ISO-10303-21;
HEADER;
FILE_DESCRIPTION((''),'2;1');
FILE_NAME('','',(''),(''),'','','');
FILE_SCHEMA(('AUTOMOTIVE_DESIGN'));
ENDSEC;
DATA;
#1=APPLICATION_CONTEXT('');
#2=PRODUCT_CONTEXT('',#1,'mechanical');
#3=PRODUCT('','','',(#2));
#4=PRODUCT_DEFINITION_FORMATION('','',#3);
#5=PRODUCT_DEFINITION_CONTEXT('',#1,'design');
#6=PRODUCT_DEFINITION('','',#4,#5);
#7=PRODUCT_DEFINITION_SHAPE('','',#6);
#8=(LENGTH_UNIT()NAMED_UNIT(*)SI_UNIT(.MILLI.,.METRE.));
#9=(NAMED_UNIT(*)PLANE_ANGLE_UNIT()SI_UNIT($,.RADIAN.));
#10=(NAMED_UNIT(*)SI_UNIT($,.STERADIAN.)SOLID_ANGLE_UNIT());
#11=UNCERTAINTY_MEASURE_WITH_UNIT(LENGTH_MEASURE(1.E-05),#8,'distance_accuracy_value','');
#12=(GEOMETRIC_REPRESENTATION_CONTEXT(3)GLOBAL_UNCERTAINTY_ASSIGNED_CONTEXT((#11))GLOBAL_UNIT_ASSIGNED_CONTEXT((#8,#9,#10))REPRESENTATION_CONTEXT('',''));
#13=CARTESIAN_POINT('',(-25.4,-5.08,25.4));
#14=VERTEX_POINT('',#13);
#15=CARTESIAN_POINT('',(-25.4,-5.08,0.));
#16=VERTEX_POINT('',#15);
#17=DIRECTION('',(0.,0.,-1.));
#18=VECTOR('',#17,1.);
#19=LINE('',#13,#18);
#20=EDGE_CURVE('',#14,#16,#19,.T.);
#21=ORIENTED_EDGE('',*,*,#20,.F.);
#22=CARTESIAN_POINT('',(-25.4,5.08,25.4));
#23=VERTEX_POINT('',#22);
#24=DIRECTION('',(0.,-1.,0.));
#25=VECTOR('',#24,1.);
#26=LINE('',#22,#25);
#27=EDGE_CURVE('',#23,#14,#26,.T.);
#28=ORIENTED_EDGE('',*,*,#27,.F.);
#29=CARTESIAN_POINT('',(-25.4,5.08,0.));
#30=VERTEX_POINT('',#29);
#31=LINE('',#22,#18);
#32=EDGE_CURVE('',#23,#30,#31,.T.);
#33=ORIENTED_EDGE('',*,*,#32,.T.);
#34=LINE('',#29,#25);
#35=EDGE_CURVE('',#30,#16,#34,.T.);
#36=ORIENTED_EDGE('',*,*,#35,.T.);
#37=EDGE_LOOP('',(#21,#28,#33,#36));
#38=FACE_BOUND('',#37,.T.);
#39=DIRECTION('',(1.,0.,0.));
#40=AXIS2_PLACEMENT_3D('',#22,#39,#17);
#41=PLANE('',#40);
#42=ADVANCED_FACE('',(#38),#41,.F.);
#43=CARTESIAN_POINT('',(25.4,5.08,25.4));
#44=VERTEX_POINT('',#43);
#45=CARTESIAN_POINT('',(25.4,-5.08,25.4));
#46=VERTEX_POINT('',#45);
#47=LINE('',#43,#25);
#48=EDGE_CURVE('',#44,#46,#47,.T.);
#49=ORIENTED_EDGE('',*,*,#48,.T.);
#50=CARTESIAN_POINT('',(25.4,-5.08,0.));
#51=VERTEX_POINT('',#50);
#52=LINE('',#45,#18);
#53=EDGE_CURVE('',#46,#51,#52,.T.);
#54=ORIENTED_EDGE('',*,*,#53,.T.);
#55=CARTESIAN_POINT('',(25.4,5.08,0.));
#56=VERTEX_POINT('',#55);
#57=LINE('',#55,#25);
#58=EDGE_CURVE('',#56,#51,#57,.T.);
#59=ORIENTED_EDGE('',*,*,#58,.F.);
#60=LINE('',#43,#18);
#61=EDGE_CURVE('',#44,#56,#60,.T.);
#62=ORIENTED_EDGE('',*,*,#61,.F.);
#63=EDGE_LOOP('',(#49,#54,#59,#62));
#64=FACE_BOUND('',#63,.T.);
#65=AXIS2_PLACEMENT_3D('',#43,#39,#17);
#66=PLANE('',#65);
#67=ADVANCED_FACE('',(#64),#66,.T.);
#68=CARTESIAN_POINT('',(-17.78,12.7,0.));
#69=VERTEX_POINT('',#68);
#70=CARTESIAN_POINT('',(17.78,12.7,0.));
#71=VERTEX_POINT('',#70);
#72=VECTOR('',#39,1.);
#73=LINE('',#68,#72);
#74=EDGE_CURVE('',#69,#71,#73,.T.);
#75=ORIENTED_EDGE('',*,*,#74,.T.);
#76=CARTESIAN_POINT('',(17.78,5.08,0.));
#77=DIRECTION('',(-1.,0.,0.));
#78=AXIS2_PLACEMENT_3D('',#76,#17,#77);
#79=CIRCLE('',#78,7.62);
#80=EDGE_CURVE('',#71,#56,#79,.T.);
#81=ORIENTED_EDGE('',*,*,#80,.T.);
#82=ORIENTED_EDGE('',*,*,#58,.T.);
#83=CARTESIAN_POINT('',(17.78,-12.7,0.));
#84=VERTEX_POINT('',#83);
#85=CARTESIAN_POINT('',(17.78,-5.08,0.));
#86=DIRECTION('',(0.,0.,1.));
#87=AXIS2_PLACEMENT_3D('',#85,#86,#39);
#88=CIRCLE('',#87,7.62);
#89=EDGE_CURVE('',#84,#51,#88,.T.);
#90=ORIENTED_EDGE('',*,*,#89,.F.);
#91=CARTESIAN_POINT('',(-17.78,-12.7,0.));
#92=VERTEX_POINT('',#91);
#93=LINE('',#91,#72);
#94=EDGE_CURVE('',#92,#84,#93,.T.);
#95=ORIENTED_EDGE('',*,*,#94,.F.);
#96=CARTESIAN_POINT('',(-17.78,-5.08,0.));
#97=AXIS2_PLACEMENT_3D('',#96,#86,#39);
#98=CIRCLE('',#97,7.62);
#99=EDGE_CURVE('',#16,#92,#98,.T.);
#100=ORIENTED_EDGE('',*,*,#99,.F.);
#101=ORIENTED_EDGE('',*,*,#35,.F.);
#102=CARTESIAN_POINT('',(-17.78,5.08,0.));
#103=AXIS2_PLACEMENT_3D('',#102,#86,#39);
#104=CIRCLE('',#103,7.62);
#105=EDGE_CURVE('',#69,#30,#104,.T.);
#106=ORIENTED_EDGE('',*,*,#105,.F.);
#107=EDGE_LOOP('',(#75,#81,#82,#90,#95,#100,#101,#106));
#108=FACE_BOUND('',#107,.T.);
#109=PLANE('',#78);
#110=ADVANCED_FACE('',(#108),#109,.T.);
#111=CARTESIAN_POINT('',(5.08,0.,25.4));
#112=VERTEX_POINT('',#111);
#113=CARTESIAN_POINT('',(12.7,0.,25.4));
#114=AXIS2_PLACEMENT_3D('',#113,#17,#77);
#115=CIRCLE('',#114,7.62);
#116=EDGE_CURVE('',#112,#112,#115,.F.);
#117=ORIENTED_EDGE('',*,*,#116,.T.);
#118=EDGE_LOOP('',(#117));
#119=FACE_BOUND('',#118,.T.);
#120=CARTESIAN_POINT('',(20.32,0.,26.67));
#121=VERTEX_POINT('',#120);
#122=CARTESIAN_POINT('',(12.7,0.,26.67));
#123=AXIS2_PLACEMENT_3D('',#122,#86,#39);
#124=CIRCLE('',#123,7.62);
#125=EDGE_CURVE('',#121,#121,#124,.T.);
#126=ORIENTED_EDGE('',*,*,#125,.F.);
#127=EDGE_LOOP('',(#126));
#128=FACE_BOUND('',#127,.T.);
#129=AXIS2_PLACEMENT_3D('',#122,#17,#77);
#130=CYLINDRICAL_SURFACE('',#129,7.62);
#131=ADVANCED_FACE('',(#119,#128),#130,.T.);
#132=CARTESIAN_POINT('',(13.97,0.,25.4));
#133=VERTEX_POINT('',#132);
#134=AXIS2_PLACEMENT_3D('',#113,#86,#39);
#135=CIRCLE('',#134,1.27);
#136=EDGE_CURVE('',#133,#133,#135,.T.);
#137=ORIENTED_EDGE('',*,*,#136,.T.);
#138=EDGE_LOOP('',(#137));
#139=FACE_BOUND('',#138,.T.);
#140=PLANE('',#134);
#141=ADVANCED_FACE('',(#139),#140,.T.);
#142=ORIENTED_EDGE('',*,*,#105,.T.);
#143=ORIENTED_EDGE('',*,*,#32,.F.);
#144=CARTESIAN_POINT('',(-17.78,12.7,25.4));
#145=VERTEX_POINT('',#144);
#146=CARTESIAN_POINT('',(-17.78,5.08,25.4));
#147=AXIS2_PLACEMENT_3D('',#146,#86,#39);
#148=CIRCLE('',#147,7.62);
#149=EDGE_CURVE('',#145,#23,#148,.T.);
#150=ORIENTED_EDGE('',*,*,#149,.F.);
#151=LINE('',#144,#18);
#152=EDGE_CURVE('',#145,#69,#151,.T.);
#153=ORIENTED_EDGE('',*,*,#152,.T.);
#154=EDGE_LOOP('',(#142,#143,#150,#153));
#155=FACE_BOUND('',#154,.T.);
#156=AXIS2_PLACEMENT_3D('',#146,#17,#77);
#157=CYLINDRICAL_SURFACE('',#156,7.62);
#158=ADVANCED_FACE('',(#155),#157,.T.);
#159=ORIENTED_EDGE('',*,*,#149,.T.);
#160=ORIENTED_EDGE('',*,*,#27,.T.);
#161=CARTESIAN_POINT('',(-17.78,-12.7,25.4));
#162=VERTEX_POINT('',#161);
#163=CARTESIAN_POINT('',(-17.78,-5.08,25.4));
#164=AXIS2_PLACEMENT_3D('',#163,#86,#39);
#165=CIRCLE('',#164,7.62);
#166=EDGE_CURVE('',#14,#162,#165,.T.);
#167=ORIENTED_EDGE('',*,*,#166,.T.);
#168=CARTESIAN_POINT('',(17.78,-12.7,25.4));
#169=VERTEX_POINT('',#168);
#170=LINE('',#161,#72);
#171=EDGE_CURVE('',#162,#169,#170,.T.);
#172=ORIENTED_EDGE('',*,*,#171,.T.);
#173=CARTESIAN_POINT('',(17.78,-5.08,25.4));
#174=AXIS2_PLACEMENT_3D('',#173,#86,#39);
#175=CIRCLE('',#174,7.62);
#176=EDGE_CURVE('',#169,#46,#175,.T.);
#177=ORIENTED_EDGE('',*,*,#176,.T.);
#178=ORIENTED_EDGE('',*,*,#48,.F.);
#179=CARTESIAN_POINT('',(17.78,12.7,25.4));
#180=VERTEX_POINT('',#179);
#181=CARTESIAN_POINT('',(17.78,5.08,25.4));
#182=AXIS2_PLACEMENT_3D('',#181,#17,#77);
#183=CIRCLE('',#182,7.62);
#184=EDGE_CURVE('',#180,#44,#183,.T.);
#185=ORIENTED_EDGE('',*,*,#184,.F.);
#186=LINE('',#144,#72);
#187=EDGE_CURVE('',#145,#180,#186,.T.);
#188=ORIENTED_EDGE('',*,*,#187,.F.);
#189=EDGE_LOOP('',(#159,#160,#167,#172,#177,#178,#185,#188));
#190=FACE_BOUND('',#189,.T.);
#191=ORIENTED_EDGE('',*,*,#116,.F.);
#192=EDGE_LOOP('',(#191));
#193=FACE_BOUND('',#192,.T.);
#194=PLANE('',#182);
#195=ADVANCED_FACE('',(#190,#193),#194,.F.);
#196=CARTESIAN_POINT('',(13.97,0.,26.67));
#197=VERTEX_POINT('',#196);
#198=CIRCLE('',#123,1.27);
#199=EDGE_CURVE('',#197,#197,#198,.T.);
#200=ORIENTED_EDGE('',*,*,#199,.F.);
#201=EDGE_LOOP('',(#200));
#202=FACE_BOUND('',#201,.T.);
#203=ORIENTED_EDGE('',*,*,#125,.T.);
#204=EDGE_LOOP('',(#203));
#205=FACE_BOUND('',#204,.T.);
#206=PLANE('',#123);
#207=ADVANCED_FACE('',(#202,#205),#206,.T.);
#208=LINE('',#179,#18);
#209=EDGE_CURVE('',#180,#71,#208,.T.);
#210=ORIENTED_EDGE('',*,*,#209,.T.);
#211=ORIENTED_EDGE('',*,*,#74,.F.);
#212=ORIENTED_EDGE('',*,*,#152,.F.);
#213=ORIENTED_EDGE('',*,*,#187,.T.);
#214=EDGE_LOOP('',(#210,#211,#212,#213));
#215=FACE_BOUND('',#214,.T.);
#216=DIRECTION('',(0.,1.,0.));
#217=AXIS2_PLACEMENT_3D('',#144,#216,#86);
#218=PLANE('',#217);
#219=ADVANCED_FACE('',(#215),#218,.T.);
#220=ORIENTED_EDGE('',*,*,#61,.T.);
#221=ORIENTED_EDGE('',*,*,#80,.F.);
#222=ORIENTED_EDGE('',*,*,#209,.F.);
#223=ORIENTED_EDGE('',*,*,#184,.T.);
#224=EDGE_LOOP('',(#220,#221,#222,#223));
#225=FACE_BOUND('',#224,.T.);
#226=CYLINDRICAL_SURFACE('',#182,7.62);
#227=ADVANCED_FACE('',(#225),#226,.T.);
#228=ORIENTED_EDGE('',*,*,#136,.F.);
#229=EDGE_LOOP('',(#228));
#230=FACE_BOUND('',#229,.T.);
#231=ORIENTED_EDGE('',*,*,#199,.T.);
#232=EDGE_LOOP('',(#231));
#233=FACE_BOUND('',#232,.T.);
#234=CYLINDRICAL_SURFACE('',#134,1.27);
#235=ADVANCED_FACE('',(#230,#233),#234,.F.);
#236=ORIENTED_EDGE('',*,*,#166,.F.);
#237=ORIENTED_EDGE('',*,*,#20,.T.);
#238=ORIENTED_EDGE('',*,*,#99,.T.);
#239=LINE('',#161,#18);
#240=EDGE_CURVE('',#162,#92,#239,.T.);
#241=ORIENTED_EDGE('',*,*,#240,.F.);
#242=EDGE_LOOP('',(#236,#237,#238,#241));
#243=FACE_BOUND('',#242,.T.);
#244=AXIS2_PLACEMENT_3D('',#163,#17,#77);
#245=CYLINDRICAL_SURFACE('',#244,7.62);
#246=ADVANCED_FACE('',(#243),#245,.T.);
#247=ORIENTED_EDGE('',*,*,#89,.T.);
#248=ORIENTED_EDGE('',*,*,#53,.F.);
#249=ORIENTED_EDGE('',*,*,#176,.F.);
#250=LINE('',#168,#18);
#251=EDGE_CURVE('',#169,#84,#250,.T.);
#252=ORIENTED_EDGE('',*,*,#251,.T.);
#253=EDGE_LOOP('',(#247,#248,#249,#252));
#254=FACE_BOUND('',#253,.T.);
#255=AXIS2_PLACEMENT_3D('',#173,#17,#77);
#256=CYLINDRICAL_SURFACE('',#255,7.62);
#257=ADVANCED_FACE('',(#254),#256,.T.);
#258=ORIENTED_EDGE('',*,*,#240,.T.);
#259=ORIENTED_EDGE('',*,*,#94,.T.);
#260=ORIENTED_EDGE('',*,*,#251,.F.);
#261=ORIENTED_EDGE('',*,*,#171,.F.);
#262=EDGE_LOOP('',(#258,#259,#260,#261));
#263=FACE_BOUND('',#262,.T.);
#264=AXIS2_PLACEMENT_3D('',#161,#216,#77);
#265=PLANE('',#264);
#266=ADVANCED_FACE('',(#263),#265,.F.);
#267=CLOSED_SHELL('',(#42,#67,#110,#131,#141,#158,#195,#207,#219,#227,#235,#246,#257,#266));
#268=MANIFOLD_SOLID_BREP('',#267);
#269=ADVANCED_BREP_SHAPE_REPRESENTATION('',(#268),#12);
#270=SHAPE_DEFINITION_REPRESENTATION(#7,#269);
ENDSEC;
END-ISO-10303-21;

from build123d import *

# Parameters (mm, degrees)
BOSS_EXTRUDE1_DEPTH = 25.4
SKETCH2_R           = 7.62
BOSS_EXTRUDE2_DEPTH = 1.27
SKETCH3_R           = 1.27
CUT_EXTRUDE1_DEPTH  = 1.27


with BuildPart() as part:
    # Sketch1 → Boss-Extrude1 (new body)
    with BuildSketch(Plane.XY):
        with BuildLine():
            Line((-17.78, 12.7), (17.78, 12.7))
            ThreePointArc((17.78, 12.7), (23.168153673, 10.468153673), (25.4, 5.08))
            Line((25.4, 5.08), (25.4, -5.08))
            ThreePointArc((25.4, -5.08), (23.168153673, -10.468153673), (17.78, -12.7))
            Line((17.78, -12.7), (-17.78, -12.7))
            ThreePointArc((-17.78, -12.7), (-23.168153673, -10.468153673), (-25.4, -5.08))
            Line((-25.4, -5.08), (-25.4, 5.08))
            ThreePointArc((-25.4, 5.08), (-23.168153673, 10.468153673), (-17.78, 12.7))
        make_face()
    extrude(amount=BOSS_EXTRUDE1_DEPTH)

    # Sketch2 → Boss-Extrude2 (add)
    with BuildSketch(Plane.XY.offset(25.4)):
        with Locations(Location((12.7, 0, 0), (0, 0, 180))):
            Circle(SKETCH2_R)
    extrude(amount=BOSS_EXTRUDE2_DEPTH)

    # Sketch3 → Cut-Extrude1 (cut)
    with BuildSketch(Plane.XY.offset(26.67)):
        with Locations((12.7, 0)):
            Circle(SKETCH3_R)
    extrude(amount=-CUT_EXTRUDE1_DEPTH, mode=Mode.SUBTRACT)


solid = part.part
